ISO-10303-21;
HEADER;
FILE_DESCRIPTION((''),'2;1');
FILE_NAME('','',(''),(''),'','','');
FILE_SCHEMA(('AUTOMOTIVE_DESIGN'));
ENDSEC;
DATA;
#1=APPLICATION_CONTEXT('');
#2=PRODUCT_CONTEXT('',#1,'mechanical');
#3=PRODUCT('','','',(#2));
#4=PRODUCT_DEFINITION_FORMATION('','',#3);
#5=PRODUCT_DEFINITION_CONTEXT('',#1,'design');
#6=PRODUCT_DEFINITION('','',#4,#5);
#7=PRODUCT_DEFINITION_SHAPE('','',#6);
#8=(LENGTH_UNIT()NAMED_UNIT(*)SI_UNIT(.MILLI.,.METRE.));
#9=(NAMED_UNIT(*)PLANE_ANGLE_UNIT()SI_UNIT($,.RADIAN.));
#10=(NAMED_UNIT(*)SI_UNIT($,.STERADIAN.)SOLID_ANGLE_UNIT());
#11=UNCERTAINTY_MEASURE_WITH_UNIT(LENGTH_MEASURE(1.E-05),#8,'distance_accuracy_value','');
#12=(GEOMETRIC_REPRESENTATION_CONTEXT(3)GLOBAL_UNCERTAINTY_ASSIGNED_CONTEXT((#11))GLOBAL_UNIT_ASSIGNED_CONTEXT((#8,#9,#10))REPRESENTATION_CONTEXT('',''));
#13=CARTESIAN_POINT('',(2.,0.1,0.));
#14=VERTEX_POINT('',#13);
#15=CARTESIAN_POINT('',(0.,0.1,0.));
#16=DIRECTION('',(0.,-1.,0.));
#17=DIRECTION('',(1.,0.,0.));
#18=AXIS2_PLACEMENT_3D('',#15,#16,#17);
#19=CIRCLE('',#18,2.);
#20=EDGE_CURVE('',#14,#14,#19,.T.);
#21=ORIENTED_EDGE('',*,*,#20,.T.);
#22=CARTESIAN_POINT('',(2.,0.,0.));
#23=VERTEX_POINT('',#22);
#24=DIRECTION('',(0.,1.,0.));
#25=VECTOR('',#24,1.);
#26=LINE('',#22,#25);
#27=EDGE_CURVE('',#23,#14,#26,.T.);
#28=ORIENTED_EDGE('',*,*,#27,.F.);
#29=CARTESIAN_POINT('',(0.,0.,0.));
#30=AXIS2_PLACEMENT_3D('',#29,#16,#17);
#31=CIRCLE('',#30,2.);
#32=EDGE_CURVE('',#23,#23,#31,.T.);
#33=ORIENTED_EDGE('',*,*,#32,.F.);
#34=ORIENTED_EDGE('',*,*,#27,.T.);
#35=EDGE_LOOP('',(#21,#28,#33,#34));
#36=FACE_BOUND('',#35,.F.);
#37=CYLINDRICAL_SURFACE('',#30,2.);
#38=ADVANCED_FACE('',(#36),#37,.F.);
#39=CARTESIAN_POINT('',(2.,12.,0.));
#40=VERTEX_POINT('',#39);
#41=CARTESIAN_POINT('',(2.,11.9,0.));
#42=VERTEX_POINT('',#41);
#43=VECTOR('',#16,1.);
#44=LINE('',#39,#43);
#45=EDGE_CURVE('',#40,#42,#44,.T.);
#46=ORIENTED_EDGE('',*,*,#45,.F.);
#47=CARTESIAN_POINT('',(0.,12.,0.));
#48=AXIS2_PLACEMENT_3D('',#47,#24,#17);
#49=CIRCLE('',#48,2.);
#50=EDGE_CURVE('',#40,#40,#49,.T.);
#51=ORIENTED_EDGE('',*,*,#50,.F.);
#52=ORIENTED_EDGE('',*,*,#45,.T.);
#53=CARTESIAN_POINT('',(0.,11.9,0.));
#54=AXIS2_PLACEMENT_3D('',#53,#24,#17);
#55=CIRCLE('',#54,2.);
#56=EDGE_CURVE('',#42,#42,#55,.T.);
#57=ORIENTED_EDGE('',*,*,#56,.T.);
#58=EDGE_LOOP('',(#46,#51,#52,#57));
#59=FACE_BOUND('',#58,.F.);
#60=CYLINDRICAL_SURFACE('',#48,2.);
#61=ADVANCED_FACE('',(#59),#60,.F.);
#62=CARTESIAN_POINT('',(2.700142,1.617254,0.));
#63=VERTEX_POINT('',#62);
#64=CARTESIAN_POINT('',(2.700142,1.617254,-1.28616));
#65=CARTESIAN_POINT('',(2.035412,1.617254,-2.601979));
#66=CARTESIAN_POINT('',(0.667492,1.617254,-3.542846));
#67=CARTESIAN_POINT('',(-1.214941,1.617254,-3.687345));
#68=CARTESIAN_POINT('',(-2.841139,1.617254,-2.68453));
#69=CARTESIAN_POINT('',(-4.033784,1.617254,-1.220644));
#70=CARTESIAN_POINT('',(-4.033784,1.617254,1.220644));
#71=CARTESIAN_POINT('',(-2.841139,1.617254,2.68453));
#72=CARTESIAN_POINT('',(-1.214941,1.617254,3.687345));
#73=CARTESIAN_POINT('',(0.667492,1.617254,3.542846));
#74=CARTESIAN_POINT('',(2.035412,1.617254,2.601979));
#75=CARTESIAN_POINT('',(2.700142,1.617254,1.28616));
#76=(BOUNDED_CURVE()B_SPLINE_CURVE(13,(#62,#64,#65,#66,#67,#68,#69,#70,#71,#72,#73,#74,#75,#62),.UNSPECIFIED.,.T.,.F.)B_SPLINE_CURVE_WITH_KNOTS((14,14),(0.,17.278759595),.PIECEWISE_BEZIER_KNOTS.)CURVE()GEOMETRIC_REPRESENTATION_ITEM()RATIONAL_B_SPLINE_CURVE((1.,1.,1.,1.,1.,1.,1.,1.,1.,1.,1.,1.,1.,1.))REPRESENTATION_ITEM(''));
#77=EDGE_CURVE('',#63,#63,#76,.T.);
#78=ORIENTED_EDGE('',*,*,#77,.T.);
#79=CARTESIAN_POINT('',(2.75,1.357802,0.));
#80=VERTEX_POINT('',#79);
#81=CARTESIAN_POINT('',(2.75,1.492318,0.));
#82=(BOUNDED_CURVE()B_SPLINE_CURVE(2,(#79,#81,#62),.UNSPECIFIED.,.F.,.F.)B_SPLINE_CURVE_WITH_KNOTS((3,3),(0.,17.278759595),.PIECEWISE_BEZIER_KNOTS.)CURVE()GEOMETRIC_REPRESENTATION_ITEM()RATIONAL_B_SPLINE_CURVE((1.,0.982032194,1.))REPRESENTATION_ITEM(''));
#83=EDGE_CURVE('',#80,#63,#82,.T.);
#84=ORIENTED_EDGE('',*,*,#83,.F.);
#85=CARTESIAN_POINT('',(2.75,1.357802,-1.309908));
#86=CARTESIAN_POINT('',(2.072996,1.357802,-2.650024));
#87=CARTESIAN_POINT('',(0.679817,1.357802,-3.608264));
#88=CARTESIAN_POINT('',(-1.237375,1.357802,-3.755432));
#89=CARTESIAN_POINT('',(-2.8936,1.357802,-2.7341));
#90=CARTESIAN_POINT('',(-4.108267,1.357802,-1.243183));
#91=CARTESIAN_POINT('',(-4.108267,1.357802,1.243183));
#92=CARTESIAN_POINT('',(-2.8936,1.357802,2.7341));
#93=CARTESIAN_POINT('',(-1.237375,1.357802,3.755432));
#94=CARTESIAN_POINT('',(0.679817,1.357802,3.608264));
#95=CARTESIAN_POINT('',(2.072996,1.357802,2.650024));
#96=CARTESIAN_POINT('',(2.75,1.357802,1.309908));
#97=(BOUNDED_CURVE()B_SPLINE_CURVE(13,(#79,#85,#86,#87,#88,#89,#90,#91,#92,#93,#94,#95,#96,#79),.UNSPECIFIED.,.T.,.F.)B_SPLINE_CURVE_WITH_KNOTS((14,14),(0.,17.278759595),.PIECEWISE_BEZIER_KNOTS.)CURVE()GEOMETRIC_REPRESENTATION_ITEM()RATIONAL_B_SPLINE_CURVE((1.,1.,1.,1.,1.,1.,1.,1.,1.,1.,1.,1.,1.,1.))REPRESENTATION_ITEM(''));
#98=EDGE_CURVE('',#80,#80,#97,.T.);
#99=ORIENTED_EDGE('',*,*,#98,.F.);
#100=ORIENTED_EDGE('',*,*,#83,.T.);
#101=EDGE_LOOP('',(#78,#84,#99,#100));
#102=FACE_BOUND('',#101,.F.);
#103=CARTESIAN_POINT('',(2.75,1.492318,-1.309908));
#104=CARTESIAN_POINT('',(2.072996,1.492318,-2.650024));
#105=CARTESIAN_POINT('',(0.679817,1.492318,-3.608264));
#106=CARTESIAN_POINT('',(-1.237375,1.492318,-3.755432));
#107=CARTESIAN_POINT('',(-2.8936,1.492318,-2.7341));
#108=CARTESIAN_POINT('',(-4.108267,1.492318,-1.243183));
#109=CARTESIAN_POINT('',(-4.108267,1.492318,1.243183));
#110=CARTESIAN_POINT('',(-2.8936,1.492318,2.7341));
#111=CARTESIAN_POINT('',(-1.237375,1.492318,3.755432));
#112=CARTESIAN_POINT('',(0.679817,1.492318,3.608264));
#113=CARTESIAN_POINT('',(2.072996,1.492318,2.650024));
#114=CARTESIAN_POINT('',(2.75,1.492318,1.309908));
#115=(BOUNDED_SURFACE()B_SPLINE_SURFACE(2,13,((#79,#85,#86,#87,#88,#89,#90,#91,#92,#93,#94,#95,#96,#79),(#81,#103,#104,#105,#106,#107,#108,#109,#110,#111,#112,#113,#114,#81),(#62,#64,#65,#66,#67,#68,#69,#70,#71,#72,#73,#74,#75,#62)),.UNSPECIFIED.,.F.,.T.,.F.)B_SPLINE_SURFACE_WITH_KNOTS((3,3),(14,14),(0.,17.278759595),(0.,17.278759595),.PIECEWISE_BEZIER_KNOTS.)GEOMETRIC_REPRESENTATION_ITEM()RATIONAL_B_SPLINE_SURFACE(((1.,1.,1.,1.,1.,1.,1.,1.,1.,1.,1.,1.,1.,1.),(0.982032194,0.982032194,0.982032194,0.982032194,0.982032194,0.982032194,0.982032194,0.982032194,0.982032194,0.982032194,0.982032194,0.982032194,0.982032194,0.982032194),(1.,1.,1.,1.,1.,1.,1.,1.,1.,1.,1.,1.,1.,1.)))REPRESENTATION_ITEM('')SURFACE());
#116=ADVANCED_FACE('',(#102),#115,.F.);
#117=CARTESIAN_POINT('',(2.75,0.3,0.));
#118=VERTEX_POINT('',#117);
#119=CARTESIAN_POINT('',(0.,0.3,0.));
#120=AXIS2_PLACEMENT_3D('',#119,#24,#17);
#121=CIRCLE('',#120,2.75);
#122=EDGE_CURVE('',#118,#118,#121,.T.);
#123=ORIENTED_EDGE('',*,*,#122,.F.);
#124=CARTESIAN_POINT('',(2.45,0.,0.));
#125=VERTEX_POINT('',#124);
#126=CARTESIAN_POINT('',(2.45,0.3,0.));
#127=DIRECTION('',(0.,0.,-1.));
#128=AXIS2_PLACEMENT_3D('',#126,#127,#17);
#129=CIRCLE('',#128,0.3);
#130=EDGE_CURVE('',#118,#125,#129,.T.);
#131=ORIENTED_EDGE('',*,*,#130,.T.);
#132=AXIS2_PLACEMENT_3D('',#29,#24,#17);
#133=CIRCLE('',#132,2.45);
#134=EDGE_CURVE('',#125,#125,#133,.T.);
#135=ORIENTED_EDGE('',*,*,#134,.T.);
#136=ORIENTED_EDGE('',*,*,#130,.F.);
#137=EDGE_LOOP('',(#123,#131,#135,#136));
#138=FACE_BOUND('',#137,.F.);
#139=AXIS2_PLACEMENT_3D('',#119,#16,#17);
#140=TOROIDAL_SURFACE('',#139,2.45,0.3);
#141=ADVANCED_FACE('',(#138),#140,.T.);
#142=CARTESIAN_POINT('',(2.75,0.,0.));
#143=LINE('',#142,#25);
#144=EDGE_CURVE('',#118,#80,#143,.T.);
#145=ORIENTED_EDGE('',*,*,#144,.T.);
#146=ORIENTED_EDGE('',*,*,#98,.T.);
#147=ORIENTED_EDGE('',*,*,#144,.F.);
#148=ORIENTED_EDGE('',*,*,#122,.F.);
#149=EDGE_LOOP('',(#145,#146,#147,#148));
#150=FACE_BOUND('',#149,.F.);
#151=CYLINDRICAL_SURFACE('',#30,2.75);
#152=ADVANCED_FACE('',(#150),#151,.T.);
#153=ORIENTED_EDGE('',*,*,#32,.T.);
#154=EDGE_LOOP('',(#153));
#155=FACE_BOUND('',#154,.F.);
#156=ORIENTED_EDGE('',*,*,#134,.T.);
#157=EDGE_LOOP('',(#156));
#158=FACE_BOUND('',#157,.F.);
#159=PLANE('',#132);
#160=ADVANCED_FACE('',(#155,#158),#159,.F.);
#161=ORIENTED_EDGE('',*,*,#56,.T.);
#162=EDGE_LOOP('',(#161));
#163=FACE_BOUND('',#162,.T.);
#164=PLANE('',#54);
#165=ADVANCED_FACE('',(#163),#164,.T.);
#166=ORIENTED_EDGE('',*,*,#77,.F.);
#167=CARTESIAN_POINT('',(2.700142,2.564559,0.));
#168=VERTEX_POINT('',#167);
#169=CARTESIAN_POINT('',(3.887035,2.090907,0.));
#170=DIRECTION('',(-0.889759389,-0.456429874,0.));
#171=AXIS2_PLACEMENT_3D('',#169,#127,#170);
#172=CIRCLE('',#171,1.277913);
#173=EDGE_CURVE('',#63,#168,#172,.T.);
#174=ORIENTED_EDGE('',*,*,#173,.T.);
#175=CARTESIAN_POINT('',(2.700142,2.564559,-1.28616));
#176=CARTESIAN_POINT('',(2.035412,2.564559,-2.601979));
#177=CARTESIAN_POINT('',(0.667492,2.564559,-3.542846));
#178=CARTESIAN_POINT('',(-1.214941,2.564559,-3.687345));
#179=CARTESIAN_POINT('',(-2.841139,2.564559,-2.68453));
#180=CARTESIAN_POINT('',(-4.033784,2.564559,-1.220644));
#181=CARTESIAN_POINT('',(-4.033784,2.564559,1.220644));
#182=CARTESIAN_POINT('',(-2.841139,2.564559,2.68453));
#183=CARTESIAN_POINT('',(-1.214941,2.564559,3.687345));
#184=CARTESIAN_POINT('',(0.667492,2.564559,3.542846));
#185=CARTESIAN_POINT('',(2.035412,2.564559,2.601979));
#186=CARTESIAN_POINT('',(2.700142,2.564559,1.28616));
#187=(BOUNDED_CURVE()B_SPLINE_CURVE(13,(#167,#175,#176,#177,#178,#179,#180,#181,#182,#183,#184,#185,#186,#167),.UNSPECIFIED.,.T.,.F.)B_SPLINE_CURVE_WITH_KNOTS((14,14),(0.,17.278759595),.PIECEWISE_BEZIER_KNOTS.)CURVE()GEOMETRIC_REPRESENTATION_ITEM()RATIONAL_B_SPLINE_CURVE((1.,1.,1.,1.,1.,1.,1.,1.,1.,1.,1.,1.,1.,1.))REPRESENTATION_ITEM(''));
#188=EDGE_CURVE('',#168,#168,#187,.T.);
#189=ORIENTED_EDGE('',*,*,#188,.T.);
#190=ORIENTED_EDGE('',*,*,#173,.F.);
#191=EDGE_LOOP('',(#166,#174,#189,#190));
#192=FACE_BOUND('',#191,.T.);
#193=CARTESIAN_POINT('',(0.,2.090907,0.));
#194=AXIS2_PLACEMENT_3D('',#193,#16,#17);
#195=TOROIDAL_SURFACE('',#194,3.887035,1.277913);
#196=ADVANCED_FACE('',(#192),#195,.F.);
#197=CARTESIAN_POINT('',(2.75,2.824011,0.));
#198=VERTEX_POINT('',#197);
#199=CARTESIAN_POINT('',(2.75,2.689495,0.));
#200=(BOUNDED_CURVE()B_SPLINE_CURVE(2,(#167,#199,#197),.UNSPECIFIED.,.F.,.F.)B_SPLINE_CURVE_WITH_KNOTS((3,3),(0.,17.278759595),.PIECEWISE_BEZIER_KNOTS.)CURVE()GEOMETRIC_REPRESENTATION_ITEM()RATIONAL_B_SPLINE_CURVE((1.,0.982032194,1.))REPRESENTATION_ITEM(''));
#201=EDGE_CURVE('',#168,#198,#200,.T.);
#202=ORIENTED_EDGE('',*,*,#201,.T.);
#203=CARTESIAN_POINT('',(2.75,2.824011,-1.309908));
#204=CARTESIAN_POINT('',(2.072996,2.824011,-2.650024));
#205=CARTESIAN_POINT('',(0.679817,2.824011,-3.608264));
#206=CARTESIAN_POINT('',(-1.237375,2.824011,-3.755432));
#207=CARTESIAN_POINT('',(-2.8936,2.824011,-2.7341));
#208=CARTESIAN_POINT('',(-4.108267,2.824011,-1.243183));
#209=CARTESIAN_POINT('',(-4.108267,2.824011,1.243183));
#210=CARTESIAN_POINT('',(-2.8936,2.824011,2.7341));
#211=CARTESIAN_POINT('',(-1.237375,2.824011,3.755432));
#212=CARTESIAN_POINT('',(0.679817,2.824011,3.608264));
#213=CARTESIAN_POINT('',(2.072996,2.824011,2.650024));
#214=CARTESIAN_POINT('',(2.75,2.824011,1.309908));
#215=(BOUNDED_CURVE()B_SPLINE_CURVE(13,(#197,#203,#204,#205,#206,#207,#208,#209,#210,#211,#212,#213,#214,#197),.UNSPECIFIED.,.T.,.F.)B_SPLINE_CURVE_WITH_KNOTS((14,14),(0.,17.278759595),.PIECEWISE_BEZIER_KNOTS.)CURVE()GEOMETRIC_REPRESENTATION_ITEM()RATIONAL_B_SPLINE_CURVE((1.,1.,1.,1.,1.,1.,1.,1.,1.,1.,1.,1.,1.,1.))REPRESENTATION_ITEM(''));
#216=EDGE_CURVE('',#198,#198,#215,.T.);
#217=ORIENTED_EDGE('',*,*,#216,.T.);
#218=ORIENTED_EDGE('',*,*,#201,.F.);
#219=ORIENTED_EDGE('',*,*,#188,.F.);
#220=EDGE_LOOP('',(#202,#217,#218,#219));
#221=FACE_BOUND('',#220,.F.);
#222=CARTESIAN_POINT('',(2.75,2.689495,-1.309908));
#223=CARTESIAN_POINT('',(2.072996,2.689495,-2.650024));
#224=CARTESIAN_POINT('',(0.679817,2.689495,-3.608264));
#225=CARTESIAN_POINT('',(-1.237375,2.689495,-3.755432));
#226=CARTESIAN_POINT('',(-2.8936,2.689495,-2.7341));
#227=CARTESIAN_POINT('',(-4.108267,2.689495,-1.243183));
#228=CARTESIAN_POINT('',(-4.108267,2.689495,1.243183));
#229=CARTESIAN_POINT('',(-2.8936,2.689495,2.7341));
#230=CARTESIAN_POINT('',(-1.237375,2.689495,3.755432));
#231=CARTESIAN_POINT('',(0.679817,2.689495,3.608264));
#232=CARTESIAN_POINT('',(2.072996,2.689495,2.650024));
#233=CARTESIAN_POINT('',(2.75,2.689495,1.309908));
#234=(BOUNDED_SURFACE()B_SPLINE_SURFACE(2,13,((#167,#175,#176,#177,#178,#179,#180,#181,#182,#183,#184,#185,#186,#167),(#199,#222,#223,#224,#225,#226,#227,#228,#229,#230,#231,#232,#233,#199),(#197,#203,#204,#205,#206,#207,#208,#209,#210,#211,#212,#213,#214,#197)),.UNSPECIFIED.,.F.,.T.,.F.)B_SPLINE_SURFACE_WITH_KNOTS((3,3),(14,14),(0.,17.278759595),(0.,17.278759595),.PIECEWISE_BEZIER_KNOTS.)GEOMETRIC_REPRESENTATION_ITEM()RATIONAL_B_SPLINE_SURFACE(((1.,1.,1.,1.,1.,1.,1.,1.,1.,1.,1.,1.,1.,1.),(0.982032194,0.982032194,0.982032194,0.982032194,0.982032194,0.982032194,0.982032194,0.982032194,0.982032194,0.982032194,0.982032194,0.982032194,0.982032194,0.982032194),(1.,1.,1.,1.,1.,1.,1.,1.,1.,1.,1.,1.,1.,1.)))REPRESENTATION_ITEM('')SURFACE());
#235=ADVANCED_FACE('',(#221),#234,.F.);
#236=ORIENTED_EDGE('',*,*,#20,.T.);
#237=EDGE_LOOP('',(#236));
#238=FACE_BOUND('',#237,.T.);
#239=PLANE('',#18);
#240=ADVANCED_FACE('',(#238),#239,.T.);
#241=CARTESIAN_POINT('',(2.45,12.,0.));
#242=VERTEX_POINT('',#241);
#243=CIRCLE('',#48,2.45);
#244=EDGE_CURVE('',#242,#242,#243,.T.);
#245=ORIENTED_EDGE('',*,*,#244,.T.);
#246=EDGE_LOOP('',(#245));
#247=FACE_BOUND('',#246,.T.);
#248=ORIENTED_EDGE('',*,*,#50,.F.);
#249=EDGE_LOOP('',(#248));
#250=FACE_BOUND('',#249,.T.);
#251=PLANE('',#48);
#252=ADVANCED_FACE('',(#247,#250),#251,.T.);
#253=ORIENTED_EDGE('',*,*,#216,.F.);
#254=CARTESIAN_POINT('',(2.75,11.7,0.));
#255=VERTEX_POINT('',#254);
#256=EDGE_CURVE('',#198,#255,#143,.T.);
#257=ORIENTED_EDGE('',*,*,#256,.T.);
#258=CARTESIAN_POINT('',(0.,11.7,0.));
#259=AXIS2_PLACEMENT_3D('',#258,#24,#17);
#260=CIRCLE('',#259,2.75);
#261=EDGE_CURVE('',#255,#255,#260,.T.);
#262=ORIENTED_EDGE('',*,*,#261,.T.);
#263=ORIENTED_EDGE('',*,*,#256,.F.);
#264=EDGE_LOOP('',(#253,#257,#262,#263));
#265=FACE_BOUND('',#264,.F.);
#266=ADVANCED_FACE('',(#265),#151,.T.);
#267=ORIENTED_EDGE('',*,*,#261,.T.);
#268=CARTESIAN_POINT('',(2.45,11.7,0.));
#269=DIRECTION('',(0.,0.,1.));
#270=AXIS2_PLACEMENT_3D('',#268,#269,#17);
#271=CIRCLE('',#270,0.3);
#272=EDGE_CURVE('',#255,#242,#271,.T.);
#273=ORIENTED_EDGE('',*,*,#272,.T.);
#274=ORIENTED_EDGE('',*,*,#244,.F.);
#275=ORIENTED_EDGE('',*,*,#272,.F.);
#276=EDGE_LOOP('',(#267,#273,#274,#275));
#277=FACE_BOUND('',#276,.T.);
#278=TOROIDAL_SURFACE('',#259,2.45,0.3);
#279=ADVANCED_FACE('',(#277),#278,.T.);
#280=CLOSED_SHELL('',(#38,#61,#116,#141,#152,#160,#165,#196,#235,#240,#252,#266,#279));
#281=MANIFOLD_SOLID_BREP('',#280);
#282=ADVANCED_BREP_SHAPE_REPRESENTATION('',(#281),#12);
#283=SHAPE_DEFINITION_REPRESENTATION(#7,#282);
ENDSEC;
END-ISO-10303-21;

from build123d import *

# Parameters (mm, degrees)
SKETCH1_R           = 2.75
BOSS_EXTRUDE1_DEPTH = 12
FILLET2_R           = 0.3
FILLET3_R           = 0.3
FILLET4_R           = 0.7
SKETCH3_R           = 2
CUT_EXTRUDE1_DEPTH  = 0.1
SKETCH5_R           = 2
CUT_EXTRUDE3_DEPTH  = 0.1


with BuildPart() as part:
    # Sketch1 → Boss-Extrude1 (new body)
    with BuildSketch(Plane(origin=(0, 0, 0), x_dir=(1, 0, 0), z_dir=(0, 1, 0))):
        Circle(SKETCH1_R)
    extrude(amount=BOSS_EXTRUDE1_DEPTH)

    # Sketch2 → Cut-Revolve1 (revolve, cut)
    with BuildSketch(Plane.XY):
        with BuildLine():
            Line((2.75, 2.67418437), (2.75, 1.507628734))
            ThreePointArc((2.75, 1.507628734), (2.609122054, 2.090906552), (2.75, 2.67418437))
        make_face()
    revolve(axis=Axis((0, 0, 0), (0, 1, 0)), mode=Mode.SUBTRACT)

    # Fillet2
    fillet2_edges = [part.edges().sort_by_distance(p)[0] for p in [
        (-2.75, 12, 0),
    ]]
    fillet(fillet2_edges, radius=FILLET2_R)

    # Fillet3
    fillet3_edges = [part.edges().sort_by_distance(p)[0] for p in [
        (-2.75, 0, 0),
    ]]
    fillet(fillet3_edges, radius=FILLET3_R)

    # Fillet4
    fillet4_edges = [part.edges().sort_by_distance(p)[0] for p in [
        (-2.75, 1.507628734, 0),
        (-2.75, 2.67418437, 0),
    ]]
    fillet(fillet4_edges, radius=FILLET4_R)

    # Sketch3 → Cut-Extrude1 (cut)
    with BuildSketch(Plane(origin=(0, 12, 0), x_dir=(1, 0, 0), z_dir=(0, 1, 0))):
        Circle(SKETCH3_R)
    extrude(amount=-CUT_EXTRUDE1_DEPTH, mode=Mode.SUBTRACT)

    # Sketch5 → Cut-Extrude3 (cut)
    with BuildSketch(Plane.XZ):
        Circle(SKETCH5_R)
    extrude(amount=-CUT_EXTRUDE3_DEPTH, mode=Mode.SUBTRACT)


solid = part.part
